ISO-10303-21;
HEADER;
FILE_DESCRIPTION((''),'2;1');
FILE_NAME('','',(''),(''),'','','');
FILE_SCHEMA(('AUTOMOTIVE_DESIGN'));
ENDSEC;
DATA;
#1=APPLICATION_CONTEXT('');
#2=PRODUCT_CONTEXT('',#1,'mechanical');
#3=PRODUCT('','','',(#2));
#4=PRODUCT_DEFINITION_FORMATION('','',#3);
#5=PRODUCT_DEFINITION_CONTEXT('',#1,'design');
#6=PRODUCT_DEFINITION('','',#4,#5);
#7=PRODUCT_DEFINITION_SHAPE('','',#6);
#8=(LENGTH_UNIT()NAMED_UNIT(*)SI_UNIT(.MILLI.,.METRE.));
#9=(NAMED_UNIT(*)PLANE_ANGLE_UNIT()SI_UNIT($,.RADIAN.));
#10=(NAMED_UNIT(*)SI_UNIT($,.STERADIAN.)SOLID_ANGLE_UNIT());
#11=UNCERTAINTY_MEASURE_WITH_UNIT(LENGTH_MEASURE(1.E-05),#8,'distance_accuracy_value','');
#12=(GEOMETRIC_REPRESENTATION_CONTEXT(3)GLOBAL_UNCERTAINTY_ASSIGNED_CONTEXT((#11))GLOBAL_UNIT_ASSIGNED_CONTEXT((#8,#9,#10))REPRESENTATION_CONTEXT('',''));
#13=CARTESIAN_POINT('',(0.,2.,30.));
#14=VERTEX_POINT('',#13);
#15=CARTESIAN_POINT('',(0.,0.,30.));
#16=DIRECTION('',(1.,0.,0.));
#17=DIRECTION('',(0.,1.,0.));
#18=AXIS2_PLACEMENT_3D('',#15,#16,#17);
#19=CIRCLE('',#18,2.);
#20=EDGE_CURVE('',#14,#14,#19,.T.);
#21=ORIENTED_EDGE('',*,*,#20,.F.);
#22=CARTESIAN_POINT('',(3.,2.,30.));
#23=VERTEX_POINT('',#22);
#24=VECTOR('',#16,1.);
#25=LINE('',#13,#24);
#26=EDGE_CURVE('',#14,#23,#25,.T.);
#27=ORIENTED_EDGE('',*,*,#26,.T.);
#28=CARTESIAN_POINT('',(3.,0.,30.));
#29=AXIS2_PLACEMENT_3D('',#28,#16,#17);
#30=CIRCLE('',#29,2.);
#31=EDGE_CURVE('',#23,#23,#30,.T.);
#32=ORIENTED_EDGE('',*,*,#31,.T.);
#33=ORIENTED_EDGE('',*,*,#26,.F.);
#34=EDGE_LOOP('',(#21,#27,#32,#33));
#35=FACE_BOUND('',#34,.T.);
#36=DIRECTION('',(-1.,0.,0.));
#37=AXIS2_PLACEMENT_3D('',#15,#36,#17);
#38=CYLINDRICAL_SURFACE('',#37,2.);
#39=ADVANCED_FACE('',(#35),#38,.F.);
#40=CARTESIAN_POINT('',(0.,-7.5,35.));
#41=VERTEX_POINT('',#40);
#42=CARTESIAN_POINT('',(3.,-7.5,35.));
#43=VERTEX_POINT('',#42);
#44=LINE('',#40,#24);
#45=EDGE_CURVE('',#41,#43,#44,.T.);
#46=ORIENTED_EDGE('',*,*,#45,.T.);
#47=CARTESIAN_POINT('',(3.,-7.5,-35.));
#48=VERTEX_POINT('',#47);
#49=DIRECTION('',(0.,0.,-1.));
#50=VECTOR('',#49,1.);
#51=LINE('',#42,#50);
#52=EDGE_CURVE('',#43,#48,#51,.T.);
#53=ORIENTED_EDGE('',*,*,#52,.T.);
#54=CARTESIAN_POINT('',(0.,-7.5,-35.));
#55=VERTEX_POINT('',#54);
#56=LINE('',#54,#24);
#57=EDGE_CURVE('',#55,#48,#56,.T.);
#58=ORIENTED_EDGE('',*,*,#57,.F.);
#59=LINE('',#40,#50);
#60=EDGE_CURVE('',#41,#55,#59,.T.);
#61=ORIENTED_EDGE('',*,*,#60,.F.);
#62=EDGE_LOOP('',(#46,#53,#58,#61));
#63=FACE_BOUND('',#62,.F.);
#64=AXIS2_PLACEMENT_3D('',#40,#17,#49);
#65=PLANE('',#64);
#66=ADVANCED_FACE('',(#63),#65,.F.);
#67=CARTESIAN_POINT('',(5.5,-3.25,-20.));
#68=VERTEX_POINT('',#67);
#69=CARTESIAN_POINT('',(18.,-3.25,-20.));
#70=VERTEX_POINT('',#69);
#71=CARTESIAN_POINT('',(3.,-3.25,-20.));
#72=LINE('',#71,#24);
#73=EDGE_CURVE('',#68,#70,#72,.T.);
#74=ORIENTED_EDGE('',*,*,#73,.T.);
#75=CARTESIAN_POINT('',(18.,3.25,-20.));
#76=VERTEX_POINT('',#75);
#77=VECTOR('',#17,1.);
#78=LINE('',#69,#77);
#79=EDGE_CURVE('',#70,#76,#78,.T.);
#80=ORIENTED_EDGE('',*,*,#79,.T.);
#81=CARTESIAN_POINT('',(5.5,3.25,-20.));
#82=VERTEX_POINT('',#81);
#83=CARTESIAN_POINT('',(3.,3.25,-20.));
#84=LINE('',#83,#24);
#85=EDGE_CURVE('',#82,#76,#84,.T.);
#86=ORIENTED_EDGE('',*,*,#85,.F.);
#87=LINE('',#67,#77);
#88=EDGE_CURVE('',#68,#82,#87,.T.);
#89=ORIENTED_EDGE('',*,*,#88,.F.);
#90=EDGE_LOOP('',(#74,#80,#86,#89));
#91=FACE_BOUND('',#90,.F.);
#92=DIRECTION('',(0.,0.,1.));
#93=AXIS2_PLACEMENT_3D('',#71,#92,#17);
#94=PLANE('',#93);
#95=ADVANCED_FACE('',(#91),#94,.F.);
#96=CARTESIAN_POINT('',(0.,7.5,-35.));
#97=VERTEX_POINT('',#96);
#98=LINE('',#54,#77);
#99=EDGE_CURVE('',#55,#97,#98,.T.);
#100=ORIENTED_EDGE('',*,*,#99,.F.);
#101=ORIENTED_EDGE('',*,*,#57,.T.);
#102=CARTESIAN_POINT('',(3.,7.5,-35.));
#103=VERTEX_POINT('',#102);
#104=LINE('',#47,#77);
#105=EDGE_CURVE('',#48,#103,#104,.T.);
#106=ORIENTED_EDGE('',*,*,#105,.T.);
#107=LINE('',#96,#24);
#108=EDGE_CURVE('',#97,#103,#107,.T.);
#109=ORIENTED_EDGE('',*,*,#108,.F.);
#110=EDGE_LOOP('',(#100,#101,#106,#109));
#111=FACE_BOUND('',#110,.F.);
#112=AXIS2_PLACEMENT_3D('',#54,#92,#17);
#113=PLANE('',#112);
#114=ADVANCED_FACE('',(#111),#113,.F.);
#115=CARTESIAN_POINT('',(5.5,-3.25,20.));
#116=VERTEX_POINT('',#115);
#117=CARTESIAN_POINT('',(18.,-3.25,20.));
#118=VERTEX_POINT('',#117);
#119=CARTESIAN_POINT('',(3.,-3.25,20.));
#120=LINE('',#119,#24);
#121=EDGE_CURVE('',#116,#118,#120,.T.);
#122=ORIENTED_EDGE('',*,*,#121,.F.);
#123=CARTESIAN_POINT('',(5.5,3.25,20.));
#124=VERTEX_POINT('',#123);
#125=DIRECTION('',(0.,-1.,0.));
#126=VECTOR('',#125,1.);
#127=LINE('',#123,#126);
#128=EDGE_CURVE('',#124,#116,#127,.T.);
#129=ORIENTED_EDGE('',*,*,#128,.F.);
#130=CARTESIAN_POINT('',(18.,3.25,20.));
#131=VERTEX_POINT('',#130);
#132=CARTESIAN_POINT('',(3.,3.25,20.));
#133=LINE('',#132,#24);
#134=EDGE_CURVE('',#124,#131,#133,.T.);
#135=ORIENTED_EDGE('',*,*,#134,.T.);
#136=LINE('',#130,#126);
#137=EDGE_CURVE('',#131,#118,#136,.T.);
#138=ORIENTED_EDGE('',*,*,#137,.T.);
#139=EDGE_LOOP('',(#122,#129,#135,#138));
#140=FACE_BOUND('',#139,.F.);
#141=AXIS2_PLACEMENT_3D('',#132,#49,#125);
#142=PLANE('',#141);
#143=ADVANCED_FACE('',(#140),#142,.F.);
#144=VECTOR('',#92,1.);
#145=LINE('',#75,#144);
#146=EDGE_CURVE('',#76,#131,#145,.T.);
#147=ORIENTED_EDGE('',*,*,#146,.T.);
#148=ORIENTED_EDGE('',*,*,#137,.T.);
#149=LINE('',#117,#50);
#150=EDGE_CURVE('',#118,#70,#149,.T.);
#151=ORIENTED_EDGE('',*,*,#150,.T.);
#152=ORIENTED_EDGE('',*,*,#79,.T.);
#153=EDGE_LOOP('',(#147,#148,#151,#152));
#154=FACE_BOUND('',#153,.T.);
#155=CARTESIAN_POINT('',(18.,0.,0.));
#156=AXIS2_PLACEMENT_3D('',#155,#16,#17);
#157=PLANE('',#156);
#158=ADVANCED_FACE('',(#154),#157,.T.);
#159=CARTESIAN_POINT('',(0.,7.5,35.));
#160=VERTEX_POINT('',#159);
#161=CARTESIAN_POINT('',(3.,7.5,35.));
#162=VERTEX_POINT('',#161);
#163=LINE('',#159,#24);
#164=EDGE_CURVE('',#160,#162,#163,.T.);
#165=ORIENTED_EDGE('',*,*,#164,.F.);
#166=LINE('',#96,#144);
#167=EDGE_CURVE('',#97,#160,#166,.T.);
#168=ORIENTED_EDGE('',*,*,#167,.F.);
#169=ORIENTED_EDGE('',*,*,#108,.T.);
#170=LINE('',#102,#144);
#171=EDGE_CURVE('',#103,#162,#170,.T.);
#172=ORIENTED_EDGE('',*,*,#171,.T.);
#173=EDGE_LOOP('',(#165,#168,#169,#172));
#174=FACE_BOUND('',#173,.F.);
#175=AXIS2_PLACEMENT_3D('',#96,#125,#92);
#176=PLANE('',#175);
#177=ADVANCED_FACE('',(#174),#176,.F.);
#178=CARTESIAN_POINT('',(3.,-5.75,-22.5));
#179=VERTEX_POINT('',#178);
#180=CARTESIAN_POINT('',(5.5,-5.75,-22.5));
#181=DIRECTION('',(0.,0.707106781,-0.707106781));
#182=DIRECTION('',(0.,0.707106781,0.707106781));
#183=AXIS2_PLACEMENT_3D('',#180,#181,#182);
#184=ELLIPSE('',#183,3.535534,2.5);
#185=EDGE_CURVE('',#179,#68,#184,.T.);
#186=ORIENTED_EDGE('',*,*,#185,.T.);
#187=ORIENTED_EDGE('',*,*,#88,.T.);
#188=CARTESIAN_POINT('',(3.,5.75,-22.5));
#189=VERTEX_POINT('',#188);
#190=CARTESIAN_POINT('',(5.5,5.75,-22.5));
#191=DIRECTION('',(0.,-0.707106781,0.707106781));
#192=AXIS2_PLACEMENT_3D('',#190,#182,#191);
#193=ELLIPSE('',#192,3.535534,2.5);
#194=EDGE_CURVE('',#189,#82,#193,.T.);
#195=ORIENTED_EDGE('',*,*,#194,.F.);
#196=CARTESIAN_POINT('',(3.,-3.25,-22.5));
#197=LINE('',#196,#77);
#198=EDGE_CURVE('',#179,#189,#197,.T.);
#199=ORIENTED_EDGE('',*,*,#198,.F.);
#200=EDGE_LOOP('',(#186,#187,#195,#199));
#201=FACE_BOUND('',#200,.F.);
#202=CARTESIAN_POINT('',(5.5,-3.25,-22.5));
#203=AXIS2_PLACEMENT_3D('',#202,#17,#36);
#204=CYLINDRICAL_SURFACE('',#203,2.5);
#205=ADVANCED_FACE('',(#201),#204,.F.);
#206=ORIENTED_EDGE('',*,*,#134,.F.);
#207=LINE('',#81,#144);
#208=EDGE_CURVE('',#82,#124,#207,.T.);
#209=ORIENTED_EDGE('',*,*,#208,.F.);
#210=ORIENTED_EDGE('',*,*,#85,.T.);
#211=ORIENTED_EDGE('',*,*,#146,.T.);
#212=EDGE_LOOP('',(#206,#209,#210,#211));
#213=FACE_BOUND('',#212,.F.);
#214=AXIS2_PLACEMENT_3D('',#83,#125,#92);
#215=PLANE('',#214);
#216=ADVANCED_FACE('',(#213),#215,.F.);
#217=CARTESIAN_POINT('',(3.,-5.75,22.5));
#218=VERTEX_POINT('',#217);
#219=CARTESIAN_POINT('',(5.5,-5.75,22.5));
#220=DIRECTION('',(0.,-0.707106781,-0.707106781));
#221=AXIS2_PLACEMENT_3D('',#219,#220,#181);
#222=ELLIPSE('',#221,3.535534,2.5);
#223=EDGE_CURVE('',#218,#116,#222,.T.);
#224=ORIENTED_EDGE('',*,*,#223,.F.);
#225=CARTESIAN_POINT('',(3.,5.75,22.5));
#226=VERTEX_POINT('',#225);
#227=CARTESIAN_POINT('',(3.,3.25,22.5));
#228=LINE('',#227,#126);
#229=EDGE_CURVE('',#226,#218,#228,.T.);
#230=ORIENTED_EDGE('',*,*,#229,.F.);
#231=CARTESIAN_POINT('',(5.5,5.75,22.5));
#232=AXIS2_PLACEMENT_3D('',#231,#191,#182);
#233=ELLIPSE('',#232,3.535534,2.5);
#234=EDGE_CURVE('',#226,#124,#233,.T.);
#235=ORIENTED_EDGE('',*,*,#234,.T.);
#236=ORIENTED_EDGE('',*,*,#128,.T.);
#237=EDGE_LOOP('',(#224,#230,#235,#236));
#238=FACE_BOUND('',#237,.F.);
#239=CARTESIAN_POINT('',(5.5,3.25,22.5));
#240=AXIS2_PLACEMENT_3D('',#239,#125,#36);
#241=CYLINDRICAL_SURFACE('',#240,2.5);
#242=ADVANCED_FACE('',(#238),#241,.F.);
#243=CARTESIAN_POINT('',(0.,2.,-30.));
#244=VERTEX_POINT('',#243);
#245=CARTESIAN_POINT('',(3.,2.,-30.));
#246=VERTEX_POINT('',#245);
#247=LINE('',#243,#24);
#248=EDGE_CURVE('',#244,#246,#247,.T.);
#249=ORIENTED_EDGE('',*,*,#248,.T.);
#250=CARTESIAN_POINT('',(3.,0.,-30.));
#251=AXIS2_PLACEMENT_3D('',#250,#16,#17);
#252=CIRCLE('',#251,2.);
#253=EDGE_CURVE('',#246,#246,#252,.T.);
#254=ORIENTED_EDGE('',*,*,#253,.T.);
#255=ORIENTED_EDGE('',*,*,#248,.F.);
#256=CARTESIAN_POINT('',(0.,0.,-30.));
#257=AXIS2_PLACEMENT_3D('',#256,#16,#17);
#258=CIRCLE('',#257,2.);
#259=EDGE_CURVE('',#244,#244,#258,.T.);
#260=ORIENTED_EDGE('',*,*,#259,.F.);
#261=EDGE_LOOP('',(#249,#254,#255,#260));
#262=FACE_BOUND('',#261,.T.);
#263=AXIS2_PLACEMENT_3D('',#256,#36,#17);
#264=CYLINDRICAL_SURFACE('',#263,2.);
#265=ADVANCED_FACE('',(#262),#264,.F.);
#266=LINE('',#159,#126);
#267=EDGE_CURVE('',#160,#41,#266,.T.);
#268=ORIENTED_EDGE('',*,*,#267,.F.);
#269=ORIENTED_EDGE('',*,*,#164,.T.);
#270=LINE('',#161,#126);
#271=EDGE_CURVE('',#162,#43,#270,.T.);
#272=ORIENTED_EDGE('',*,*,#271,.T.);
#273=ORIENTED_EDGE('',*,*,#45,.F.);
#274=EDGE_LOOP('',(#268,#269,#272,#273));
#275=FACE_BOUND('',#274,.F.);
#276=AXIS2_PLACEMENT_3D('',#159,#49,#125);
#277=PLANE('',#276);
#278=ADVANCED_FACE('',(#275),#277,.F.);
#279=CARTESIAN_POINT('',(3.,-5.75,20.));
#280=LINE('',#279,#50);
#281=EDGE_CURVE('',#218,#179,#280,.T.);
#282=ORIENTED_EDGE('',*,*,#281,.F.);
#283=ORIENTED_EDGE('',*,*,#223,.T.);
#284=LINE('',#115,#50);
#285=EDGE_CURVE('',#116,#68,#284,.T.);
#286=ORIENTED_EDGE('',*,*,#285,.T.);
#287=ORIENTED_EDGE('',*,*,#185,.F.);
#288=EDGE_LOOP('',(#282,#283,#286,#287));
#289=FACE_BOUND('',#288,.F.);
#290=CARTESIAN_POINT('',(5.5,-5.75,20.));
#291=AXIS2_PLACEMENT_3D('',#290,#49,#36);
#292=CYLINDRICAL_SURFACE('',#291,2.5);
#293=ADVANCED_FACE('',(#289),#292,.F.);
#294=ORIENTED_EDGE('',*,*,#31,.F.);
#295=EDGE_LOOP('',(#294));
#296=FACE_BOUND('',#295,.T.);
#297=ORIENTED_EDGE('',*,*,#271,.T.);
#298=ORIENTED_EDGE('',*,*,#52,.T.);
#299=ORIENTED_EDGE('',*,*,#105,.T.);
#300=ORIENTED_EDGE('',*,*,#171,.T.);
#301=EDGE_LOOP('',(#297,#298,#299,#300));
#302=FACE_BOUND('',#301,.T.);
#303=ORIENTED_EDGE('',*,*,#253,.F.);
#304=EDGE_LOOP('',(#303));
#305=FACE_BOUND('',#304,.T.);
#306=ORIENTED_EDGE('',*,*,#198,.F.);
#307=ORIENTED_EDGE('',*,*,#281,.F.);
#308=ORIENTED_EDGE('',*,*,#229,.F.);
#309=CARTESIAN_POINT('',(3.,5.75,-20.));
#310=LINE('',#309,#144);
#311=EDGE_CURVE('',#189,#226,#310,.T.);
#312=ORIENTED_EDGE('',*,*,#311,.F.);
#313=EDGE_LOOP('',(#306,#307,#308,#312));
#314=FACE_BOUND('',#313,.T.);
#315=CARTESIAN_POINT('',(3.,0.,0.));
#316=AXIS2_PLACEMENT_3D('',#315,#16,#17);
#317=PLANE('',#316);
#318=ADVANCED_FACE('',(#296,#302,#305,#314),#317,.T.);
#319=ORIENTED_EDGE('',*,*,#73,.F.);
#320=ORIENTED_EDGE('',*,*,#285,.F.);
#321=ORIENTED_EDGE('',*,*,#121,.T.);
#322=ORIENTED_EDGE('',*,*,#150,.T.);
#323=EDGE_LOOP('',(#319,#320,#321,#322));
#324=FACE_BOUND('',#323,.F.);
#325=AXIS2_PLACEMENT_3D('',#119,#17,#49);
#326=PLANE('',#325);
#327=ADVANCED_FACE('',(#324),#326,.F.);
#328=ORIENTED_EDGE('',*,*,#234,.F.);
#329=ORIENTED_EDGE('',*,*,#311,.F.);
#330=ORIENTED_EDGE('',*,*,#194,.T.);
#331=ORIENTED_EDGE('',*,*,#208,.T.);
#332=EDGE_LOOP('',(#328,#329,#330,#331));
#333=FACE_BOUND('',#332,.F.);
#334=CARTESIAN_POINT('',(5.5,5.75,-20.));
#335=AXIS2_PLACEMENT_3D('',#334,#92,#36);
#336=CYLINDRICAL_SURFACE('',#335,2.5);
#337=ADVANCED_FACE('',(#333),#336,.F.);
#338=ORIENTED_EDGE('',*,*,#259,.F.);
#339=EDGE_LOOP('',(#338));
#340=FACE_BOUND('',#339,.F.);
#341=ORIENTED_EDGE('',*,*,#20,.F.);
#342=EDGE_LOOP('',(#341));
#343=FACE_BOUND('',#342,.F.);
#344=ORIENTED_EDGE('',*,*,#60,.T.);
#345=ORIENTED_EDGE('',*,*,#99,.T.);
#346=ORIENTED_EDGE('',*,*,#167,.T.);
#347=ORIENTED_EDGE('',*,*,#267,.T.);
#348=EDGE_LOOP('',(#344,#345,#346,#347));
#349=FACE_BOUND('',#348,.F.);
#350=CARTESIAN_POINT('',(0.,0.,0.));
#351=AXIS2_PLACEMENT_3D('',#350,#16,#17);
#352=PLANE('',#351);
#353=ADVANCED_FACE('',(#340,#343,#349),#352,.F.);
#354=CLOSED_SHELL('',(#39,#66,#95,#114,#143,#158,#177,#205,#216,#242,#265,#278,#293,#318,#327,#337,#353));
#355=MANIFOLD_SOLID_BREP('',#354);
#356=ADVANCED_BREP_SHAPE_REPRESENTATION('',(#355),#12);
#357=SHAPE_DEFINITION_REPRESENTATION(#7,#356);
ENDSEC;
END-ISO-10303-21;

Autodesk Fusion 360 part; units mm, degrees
sketch "Boceto1" plane through (0, 0, 0) normal (1, 0, 0) x (0, 1, 0)
  line L0 (7.5, 35) -> (-7.5, 35)
  line L1 (-7.5, 35) -> (-7.5, -35)
  line L2 (-7.5, -35) -> (7.5, -35)
  line L3 (7.5, -35) -> (7.5, 35)
  line L4 (7.5, 35) -> (-7.5, -35) construction
  line L5 (-7.5, 35) -> (7.5, -35) construction
  circle A0 centre (0, 30) radius 2
  circle A1 centre (0, -30) radius 2
  line L6 (0, 35) -> (0, -35) construction
  dimension "d1" = 15
  dimension "d2" = 70
  dimension "d3" = 4
  dimension "d4" = 4
  dimension "d5" = 60
  dimension "d6" = 30
extrude "Extruir1" add sketch "Boceto1" along normal blind 3
sketch "Boceto2" plane through (3, 0, 0) normal (1, 0, 0) x (0, 1, 0)
  circle A0 centre (0, 30) radius 2
  circle A1 centre (0, -30) radius 2
  line L0 (7.5, -35) -> (7.5, 35)
  line L1 (7.5, 35) -> (-7.5, 35)
  line L2 (-7.5, 35) -> (-7.5, -35)
  line L3 (-7.5, -35) -> (7.5, -35)
  line L4 (3.25, 20) -> (-3.25, 20)
  line L5 (-3.25, 20) -> (-3.25, -20)
  line L6 (-3.25, -20) -> (3.25, -20)
  line L7 (3.25, -20) -> (3.25, 20)
  line L8 (3.25, 20) -> (-3.25, -20) construction
  line L9 (-3.25, 20) -> (3.25, -20) construction
  dimension "d9" = 6.5
  dimension "d10" = 40
extrude "Extruir2" add sketch "Boceto2" along normal blind 15 contours L4 L5 L6 L7
fillet "Empalme1" radius 2.5 4 edges at (3, 3.25, 0) (3, 0, -20) (3, -3.25, 0) (3, 0, 20)
